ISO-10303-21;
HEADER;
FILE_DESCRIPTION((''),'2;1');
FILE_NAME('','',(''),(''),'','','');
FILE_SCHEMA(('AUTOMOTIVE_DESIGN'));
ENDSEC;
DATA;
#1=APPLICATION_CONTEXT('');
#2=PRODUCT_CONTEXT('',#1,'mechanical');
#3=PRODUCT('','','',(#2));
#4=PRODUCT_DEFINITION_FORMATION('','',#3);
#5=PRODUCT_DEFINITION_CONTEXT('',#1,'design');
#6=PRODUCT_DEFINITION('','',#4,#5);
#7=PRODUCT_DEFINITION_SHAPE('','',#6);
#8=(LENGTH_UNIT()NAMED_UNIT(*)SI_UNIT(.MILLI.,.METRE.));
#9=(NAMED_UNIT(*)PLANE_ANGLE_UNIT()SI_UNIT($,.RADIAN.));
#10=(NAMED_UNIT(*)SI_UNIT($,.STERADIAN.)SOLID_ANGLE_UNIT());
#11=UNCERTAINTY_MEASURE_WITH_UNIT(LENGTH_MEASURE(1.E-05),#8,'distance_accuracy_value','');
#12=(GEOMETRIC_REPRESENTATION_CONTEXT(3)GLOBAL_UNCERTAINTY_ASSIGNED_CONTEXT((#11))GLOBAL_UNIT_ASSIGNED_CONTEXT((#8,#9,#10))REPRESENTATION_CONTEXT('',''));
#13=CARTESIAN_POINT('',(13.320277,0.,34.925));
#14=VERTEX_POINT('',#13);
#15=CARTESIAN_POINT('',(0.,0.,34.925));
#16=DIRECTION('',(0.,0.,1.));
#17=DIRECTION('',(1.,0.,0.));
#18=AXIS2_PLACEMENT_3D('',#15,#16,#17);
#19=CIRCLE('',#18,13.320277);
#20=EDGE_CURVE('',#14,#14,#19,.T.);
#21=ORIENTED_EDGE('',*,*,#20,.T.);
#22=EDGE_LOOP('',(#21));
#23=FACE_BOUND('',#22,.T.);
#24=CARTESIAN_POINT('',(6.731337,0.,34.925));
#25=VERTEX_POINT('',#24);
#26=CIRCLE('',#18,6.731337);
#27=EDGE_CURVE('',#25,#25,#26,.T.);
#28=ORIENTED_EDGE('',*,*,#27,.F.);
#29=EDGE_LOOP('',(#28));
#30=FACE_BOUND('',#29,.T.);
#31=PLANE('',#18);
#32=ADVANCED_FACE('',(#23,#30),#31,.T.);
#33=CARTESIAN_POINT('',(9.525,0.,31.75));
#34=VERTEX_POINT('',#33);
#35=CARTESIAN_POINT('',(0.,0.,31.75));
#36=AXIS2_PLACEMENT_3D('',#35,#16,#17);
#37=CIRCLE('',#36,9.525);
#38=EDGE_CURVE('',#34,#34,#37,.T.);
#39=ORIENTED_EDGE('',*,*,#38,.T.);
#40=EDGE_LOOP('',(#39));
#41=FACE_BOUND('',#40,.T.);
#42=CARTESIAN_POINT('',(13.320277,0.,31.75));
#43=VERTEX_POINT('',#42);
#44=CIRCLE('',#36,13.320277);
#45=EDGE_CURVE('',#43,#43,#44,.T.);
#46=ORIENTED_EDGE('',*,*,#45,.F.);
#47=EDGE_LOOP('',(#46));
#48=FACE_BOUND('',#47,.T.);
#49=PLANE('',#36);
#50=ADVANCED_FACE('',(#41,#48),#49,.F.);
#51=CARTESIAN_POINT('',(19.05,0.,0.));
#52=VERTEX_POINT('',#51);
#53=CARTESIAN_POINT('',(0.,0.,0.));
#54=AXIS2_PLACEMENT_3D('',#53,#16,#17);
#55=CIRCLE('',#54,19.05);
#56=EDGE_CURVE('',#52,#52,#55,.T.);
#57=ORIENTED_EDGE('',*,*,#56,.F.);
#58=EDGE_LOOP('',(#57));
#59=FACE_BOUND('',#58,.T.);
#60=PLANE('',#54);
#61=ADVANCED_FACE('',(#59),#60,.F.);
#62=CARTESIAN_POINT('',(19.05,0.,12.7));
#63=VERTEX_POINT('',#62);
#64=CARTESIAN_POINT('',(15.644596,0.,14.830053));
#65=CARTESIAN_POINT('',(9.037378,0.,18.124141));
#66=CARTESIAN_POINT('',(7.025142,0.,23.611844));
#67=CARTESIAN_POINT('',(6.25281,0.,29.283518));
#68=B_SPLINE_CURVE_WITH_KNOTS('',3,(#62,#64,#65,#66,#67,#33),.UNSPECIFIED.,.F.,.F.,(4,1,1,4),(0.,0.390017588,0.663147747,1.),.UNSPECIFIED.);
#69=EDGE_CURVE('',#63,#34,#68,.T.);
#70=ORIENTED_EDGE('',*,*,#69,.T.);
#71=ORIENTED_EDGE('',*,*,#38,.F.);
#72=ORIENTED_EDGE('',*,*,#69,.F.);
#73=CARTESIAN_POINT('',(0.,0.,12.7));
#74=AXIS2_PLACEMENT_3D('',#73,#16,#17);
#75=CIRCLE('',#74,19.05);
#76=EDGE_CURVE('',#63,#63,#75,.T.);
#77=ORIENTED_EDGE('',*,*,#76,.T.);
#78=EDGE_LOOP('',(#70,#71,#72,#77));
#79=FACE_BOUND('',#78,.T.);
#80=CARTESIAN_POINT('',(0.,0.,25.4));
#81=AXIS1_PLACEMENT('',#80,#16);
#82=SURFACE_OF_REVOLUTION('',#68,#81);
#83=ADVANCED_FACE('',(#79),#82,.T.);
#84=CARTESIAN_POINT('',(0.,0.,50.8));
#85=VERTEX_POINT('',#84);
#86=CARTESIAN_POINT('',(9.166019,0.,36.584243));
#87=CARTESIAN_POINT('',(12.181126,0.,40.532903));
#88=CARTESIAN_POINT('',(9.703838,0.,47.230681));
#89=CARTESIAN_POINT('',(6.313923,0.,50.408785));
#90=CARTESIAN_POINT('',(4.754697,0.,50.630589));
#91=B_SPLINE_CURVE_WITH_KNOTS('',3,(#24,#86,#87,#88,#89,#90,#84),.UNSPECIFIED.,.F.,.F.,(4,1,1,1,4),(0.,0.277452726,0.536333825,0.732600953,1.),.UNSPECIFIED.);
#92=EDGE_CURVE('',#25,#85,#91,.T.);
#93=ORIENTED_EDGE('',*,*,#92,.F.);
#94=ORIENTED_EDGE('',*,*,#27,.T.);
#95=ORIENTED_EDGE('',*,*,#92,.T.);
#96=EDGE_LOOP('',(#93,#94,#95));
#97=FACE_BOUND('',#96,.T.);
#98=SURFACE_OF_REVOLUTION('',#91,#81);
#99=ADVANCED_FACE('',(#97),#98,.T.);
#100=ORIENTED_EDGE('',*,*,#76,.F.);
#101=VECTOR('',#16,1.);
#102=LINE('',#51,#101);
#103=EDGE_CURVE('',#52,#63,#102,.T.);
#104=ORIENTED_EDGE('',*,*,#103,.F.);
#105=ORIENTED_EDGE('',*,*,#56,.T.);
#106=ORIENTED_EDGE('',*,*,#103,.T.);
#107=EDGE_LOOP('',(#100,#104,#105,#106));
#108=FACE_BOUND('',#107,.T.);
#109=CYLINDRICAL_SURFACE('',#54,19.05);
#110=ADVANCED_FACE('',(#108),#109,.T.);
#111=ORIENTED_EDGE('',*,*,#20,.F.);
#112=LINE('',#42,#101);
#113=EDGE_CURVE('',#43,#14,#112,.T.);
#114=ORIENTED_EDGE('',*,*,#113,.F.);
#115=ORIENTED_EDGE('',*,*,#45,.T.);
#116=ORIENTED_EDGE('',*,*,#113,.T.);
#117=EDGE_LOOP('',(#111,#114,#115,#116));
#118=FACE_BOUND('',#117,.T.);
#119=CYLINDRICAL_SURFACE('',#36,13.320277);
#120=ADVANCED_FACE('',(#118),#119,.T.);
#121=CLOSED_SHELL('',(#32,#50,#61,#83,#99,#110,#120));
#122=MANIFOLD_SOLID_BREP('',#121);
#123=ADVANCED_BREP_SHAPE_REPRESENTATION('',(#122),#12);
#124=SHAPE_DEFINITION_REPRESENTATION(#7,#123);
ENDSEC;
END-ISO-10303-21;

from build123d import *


with BuildPart() as f1:
    # F0 (on Front) → F1 (revolve)
    with BuildSketch(Plane.XZ):
        with BuildLine():
            Line((0, 50.8), (0, 34.925))
            Line((0, 34.925), (6.7313371377, 34.925))
            add(Edge.make_bspline(
                [(6.7313371377, 34.925), (9.1660192998, 36.584243404), (12.1811256362, 40.5329028803), (9.7038379806, 47.230680767), (6.3139233711, 50.4087846074), (4.754697213, 50.6305893646), (0, 50.8)],
                knots=[0, 0, 0, 0, 0.277452726, 0.5363338254, 0.7326009529, 1, 1, 1, 1], degree=3))
        make_face()
        Polygon((0, 34.925), (0, 31.75), (9.525, 31.75), (13.320277445, 31.75), (13.320277445, 34.925), (6.7313371377, 34.925), align=None)
        with BuildLine():
            Line((0, 31.75), (0, 0))
            Line((0, 0), (19.05, 0))
            Line((19.05, 0), (19.05, 12.7))
            add(Edge.make_bspline(
                [(19.05, 12.7), (15.6445959161, 14.8300528587), (9.037378424, 18.1241412945), (7.0251417677, 23.6118438651), (6.2528101904, 29.2835176444), (9.525, 31.75)],
                knots=[0, 0, 0, 0, 0.3900175878, 0.6631477467, 1, 1, 1, 1], degree=3))
            Line((9.525, 31.75), (0, 31.75))
        make_face()
    revolve(axis=Axis((0, 0, 25.4), (0, 0, 1)))


solid = f1.part
